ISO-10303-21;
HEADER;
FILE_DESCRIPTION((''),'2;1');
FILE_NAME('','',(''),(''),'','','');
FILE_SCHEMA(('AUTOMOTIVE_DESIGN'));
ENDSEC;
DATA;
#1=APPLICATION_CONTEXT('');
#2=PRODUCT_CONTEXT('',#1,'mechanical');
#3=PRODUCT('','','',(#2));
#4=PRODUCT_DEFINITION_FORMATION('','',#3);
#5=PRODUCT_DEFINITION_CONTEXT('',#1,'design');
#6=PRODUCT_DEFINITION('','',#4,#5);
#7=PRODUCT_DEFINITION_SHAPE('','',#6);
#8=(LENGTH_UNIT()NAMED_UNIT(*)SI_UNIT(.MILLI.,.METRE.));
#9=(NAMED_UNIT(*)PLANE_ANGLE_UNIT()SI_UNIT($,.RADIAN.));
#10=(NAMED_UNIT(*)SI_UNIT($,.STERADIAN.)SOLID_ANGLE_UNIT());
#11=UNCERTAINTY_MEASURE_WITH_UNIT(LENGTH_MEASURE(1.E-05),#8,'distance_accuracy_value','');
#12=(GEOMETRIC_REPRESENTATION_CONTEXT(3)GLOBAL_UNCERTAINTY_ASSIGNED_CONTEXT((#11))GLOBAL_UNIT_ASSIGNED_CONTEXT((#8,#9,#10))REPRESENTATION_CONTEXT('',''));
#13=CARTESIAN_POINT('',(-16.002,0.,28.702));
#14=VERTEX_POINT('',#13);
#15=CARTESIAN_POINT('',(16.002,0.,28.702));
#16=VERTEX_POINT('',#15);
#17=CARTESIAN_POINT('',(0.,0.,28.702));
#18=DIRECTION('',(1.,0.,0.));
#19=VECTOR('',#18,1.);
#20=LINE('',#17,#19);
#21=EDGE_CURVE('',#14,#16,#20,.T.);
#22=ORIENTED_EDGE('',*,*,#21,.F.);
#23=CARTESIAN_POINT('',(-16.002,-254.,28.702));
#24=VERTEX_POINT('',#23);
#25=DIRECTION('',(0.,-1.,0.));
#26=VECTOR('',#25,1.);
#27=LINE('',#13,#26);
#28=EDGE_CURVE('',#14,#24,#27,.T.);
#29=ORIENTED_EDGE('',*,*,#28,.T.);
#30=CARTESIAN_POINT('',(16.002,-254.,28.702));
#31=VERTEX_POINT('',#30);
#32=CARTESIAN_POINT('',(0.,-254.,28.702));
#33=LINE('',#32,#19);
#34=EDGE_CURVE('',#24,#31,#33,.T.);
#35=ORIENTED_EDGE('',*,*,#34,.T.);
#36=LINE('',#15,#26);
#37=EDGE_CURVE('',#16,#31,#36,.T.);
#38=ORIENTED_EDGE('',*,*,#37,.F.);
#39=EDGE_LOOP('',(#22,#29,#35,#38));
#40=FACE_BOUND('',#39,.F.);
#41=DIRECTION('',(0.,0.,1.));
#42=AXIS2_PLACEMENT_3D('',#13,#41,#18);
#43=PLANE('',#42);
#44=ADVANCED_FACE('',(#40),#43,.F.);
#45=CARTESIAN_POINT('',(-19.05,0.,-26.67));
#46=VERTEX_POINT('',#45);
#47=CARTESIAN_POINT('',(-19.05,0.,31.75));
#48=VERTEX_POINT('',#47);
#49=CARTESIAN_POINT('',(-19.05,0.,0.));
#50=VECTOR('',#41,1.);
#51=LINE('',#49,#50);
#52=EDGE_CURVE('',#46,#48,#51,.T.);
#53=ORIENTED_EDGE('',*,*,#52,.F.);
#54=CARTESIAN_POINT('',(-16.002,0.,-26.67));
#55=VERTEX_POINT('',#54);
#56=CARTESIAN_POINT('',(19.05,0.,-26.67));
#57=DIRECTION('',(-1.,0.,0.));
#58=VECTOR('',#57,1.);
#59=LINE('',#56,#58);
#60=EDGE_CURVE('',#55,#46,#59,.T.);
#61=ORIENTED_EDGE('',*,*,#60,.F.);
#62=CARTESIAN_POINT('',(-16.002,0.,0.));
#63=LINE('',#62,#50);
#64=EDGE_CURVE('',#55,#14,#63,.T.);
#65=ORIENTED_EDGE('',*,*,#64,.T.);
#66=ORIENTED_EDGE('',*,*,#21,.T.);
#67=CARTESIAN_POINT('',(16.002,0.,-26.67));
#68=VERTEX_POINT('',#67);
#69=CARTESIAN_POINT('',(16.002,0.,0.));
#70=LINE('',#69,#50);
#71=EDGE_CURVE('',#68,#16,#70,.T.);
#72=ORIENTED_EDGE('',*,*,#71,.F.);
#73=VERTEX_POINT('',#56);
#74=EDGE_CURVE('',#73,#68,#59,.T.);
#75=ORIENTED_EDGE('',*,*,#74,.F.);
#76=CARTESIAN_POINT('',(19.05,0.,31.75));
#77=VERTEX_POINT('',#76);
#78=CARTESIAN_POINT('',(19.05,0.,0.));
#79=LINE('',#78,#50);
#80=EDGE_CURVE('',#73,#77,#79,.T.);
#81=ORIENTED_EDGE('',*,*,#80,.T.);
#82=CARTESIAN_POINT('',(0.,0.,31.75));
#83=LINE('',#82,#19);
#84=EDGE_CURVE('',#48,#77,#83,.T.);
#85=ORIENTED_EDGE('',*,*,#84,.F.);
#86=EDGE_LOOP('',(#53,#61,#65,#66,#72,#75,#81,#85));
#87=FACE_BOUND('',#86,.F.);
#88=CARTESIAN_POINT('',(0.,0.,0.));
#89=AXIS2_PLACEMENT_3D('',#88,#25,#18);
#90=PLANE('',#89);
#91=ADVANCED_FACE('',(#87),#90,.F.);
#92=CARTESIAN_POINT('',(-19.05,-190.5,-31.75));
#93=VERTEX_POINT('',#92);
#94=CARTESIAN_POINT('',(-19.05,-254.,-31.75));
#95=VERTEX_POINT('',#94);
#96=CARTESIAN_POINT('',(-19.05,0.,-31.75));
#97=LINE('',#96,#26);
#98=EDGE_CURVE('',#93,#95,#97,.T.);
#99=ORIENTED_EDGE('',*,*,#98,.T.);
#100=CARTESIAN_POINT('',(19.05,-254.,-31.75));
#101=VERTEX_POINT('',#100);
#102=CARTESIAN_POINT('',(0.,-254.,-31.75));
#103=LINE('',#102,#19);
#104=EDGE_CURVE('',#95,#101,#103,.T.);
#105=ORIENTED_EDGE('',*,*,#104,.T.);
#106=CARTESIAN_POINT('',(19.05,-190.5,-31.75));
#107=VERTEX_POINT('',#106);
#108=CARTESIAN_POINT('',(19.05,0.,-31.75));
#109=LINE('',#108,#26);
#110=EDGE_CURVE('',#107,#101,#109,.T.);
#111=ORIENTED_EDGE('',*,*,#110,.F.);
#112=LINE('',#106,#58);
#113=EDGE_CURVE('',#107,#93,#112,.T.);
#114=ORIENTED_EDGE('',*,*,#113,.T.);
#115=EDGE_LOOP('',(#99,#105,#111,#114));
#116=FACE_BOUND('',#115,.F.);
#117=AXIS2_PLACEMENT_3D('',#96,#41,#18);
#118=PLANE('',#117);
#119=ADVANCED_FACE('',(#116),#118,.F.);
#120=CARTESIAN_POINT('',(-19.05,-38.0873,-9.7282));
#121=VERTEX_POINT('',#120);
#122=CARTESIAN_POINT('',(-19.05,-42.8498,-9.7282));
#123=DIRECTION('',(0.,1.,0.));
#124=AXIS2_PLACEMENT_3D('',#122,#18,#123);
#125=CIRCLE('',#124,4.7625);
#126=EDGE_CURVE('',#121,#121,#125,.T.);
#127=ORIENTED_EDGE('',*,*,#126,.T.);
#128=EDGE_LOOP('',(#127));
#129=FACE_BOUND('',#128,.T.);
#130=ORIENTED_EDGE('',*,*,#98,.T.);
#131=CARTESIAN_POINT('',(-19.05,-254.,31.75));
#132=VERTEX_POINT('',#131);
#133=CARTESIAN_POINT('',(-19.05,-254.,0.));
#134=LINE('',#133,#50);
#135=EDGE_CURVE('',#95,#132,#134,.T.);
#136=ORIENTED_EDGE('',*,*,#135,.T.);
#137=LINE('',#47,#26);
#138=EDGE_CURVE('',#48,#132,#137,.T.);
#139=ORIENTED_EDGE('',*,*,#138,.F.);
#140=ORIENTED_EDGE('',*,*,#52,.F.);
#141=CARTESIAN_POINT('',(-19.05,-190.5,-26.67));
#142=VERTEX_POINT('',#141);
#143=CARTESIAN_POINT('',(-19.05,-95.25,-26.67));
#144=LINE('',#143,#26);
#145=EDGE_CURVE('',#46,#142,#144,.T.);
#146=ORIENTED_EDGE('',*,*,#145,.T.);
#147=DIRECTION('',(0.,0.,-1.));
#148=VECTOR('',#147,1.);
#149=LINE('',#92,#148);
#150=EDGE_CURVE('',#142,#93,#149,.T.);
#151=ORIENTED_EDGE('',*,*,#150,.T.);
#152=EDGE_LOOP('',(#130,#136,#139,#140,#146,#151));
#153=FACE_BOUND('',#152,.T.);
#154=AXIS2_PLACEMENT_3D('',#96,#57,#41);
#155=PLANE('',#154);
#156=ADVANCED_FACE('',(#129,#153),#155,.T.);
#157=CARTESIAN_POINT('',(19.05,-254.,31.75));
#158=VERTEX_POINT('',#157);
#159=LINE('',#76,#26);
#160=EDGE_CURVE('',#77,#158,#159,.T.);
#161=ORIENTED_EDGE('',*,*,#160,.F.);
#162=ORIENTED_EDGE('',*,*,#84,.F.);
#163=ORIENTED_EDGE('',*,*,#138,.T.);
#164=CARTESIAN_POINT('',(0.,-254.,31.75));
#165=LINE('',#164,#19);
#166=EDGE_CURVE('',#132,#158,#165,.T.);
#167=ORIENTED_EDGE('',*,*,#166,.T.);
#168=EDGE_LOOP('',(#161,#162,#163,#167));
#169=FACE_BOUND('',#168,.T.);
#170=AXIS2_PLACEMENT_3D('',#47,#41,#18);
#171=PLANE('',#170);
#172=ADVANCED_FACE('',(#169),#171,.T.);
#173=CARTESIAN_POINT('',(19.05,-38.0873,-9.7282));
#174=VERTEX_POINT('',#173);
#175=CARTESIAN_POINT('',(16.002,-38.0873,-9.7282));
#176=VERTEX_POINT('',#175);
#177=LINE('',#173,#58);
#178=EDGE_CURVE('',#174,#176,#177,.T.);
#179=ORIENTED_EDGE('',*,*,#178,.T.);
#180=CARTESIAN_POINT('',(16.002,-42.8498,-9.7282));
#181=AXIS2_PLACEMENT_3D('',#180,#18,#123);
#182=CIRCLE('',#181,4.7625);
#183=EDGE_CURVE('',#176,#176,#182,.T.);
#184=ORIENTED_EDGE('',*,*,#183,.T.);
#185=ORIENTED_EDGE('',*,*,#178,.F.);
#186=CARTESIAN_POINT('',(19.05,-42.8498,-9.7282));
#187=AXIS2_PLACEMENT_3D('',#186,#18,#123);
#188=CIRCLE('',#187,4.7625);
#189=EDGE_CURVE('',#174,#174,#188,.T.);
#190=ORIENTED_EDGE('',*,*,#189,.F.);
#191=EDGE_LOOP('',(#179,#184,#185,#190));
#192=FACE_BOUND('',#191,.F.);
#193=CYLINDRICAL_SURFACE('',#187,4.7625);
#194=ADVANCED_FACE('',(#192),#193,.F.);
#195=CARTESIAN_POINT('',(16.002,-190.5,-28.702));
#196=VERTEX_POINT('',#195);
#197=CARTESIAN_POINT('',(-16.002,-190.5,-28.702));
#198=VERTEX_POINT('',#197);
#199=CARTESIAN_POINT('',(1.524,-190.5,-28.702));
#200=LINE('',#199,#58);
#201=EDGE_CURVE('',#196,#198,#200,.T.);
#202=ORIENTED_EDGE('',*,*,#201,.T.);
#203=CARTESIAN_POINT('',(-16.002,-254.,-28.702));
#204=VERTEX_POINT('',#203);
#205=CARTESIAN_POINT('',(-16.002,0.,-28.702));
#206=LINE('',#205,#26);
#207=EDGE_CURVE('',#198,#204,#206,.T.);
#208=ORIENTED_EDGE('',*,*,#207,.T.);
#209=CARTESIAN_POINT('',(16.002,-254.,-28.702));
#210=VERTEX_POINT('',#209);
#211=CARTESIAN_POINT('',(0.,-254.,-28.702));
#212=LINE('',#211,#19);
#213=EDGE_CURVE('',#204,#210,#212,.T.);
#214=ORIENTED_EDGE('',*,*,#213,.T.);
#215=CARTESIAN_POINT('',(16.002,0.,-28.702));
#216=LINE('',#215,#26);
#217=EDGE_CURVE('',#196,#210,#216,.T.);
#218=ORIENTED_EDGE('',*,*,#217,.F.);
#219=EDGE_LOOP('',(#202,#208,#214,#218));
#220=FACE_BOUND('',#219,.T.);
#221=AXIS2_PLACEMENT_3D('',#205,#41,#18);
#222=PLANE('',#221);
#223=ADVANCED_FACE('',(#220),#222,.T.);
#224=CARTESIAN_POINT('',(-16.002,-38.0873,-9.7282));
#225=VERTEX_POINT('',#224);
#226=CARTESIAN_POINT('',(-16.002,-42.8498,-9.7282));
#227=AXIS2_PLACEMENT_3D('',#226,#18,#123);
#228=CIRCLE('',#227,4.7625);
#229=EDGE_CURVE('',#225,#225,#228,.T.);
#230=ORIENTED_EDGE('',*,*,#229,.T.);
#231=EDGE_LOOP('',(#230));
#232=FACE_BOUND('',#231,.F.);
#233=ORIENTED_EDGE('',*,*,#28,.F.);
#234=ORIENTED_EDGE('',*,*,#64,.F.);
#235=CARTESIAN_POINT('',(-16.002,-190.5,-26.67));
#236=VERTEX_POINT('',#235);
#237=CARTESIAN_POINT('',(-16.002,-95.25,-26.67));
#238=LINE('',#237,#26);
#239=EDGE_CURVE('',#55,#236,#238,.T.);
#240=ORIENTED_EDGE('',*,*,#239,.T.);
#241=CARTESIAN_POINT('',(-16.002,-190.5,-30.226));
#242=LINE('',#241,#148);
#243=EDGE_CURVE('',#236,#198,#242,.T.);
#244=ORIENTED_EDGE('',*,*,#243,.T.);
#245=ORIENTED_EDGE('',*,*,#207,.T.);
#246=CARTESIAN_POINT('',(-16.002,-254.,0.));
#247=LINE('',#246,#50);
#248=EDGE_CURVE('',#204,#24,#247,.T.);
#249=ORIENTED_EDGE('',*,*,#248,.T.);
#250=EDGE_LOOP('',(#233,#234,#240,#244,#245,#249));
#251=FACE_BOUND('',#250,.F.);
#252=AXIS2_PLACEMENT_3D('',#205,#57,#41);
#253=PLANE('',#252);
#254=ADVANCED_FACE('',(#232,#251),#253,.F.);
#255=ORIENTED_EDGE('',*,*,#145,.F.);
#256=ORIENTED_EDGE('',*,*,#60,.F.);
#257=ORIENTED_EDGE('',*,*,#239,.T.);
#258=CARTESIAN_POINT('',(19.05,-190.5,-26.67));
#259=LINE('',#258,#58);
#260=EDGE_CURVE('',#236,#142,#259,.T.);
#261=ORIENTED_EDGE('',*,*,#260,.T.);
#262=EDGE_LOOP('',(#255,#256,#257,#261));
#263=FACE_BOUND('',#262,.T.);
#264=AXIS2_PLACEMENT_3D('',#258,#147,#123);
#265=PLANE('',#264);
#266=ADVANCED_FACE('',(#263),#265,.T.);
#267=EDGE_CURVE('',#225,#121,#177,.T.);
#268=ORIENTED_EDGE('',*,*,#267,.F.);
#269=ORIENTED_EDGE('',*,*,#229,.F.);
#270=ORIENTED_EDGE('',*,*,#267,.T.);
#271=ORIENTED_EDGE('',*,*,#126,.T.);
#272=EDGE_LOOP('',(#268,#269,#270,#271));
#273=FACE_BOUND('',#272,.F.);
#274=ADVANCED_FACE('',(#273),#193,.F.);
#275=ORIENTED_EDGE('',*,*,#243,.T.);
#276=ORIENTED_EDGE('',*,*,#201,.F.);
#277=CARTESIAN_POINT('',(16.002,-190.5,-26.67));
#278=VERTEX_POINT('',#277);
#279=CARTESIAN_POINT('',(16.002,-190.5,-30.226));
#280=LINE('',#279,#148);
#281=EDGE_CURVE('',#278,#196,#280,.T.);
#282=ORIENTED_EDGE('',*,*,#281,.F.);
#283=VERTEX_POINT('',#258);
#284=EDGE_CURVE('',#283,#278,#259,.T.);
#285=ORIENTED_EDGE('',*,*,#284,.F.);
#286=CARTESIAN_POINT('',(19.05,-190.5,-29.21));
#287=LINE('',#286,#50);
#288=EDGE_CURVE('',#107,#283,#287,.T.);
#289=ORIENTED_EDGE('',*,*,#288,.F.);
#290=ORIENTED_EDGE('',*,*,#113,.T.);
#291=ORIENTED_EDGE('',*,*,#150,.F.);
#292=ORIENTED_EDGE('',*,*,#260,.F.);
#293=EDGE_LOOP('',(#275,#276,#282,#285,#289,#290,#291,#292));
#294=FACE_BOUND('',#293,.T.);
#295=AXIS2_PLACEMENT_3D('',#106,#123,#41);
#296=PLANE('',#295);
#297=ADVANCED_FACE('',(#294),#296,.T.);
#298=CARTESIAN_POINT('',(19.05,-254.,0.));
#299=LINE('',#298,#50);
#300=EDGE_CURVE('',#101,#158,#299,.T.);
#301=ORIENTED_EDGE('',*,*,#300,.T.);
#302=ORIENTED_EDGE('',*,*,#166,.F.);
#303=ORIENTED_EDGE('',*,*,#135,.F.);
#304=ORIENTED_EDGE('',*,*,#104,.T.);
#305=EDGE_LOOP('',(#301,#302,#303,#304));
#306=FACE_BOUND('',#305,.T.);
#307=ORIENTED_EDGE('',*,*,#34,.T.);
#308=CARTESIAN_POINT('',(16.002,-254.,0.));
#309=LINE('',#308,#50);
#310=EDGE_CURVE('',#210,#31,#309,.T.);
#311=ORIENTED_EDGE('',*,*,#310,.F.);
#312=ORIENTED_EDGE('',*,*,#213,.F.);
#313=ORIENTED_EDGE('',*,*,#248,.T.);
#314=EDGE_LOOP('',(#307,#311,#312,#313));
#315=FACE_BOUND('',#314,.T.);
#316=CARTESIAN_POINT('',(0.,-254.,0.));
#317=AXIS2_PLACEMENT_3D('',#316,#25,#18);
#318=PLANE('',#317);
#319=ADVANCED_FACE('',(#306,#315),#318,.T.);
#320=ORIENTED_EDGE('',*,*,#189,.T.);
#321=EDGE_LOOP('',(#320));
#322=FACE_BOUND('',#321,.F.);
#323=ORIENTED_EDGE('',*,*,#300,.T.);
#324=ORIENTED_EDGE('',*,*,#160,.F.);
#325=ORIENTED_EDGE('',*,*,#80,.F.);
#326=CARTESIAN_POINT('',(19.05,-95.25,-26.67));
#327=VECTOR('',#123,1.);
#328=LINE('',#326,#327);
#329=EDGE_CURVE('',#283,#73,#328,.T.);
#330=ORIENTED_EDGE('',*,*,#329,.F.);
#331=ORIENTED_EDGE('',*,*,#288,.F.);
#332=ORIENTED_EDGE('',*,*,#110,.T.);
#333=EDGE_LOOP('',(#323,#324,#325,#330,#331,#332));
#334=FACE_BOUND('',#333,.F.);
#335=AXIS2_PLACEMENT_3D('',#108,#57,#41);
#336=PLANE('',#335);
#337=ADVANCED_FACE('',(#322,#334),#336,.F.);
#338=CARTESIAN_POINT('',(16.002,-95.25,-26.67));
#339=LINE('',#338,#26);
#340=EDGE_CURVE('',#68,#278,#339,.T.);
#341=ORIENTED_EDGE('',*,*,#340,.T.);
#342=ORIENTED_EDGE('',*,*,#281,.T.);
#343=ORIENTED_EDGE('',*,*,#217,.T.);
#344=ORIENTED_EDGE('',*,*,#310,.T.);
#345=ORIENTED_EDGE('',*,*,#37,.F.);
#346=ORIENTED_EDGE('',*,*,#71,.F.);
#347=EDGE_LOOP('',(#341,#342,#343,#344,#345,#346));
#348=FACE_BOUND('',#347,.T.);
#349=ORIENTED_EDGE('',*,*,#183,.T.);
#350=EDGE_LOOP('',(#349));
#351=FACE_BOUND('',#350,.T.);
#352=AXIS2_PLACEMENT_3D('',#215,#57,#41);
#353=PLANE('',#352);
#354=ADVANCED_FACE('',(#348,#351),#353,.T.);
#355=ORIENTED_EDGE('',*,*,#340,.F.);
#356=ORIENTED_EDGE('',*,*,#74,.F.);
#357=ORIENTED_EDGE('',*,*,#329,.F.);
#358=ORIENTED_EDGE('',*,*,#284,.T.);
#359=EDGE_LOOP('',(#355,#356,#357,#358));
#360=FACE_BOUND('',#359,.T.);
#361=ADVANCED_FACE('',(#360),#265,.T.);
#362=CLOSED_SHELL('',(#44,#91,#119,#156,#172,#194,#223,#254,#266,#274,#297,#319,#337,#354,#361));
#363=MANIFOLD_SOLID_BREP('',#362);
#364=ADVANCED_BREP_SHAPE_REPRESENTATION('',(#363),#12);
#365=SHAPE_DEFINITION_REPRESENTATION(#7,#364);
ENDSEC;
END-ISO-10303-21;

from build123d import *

# Parameters (mm, degrees)
F0_W     = 38.1
F0_H     = 63.5
F0_W_2   = 32.004
F0_H_2   = 57.404
F1_DEPTH = 254
F2_W     = 190.5
F2_H     = 5.08
F2_R     = 4.7625
F3_DEPTH = 50.8


with BuildPart() as f1:
    # F0 (on Front) → F1 (new body)
    with BuildSketch(Plane.XZ):
        Rectangle(F0_W, F0_H)
        Rectangle(F0_W_2, F0_H_2, mode=Mode.SUBTRACT)
    extrude(amount=F1_DEPTH)

    # F2 (on face) → F3 (cut)
    with BuildSketch(Plane.YZ.offset(19.05)):
        with Locations((-95.25, -29.21)):
            Rectangle(F2_W, F2_H)
        with Locations((-42.8498, -9.7282)):
            Circle(F2_R)
    extrude(amount=-F3_DEPTH, mode=Mode.SUBTRACT)


solid = f1.part
